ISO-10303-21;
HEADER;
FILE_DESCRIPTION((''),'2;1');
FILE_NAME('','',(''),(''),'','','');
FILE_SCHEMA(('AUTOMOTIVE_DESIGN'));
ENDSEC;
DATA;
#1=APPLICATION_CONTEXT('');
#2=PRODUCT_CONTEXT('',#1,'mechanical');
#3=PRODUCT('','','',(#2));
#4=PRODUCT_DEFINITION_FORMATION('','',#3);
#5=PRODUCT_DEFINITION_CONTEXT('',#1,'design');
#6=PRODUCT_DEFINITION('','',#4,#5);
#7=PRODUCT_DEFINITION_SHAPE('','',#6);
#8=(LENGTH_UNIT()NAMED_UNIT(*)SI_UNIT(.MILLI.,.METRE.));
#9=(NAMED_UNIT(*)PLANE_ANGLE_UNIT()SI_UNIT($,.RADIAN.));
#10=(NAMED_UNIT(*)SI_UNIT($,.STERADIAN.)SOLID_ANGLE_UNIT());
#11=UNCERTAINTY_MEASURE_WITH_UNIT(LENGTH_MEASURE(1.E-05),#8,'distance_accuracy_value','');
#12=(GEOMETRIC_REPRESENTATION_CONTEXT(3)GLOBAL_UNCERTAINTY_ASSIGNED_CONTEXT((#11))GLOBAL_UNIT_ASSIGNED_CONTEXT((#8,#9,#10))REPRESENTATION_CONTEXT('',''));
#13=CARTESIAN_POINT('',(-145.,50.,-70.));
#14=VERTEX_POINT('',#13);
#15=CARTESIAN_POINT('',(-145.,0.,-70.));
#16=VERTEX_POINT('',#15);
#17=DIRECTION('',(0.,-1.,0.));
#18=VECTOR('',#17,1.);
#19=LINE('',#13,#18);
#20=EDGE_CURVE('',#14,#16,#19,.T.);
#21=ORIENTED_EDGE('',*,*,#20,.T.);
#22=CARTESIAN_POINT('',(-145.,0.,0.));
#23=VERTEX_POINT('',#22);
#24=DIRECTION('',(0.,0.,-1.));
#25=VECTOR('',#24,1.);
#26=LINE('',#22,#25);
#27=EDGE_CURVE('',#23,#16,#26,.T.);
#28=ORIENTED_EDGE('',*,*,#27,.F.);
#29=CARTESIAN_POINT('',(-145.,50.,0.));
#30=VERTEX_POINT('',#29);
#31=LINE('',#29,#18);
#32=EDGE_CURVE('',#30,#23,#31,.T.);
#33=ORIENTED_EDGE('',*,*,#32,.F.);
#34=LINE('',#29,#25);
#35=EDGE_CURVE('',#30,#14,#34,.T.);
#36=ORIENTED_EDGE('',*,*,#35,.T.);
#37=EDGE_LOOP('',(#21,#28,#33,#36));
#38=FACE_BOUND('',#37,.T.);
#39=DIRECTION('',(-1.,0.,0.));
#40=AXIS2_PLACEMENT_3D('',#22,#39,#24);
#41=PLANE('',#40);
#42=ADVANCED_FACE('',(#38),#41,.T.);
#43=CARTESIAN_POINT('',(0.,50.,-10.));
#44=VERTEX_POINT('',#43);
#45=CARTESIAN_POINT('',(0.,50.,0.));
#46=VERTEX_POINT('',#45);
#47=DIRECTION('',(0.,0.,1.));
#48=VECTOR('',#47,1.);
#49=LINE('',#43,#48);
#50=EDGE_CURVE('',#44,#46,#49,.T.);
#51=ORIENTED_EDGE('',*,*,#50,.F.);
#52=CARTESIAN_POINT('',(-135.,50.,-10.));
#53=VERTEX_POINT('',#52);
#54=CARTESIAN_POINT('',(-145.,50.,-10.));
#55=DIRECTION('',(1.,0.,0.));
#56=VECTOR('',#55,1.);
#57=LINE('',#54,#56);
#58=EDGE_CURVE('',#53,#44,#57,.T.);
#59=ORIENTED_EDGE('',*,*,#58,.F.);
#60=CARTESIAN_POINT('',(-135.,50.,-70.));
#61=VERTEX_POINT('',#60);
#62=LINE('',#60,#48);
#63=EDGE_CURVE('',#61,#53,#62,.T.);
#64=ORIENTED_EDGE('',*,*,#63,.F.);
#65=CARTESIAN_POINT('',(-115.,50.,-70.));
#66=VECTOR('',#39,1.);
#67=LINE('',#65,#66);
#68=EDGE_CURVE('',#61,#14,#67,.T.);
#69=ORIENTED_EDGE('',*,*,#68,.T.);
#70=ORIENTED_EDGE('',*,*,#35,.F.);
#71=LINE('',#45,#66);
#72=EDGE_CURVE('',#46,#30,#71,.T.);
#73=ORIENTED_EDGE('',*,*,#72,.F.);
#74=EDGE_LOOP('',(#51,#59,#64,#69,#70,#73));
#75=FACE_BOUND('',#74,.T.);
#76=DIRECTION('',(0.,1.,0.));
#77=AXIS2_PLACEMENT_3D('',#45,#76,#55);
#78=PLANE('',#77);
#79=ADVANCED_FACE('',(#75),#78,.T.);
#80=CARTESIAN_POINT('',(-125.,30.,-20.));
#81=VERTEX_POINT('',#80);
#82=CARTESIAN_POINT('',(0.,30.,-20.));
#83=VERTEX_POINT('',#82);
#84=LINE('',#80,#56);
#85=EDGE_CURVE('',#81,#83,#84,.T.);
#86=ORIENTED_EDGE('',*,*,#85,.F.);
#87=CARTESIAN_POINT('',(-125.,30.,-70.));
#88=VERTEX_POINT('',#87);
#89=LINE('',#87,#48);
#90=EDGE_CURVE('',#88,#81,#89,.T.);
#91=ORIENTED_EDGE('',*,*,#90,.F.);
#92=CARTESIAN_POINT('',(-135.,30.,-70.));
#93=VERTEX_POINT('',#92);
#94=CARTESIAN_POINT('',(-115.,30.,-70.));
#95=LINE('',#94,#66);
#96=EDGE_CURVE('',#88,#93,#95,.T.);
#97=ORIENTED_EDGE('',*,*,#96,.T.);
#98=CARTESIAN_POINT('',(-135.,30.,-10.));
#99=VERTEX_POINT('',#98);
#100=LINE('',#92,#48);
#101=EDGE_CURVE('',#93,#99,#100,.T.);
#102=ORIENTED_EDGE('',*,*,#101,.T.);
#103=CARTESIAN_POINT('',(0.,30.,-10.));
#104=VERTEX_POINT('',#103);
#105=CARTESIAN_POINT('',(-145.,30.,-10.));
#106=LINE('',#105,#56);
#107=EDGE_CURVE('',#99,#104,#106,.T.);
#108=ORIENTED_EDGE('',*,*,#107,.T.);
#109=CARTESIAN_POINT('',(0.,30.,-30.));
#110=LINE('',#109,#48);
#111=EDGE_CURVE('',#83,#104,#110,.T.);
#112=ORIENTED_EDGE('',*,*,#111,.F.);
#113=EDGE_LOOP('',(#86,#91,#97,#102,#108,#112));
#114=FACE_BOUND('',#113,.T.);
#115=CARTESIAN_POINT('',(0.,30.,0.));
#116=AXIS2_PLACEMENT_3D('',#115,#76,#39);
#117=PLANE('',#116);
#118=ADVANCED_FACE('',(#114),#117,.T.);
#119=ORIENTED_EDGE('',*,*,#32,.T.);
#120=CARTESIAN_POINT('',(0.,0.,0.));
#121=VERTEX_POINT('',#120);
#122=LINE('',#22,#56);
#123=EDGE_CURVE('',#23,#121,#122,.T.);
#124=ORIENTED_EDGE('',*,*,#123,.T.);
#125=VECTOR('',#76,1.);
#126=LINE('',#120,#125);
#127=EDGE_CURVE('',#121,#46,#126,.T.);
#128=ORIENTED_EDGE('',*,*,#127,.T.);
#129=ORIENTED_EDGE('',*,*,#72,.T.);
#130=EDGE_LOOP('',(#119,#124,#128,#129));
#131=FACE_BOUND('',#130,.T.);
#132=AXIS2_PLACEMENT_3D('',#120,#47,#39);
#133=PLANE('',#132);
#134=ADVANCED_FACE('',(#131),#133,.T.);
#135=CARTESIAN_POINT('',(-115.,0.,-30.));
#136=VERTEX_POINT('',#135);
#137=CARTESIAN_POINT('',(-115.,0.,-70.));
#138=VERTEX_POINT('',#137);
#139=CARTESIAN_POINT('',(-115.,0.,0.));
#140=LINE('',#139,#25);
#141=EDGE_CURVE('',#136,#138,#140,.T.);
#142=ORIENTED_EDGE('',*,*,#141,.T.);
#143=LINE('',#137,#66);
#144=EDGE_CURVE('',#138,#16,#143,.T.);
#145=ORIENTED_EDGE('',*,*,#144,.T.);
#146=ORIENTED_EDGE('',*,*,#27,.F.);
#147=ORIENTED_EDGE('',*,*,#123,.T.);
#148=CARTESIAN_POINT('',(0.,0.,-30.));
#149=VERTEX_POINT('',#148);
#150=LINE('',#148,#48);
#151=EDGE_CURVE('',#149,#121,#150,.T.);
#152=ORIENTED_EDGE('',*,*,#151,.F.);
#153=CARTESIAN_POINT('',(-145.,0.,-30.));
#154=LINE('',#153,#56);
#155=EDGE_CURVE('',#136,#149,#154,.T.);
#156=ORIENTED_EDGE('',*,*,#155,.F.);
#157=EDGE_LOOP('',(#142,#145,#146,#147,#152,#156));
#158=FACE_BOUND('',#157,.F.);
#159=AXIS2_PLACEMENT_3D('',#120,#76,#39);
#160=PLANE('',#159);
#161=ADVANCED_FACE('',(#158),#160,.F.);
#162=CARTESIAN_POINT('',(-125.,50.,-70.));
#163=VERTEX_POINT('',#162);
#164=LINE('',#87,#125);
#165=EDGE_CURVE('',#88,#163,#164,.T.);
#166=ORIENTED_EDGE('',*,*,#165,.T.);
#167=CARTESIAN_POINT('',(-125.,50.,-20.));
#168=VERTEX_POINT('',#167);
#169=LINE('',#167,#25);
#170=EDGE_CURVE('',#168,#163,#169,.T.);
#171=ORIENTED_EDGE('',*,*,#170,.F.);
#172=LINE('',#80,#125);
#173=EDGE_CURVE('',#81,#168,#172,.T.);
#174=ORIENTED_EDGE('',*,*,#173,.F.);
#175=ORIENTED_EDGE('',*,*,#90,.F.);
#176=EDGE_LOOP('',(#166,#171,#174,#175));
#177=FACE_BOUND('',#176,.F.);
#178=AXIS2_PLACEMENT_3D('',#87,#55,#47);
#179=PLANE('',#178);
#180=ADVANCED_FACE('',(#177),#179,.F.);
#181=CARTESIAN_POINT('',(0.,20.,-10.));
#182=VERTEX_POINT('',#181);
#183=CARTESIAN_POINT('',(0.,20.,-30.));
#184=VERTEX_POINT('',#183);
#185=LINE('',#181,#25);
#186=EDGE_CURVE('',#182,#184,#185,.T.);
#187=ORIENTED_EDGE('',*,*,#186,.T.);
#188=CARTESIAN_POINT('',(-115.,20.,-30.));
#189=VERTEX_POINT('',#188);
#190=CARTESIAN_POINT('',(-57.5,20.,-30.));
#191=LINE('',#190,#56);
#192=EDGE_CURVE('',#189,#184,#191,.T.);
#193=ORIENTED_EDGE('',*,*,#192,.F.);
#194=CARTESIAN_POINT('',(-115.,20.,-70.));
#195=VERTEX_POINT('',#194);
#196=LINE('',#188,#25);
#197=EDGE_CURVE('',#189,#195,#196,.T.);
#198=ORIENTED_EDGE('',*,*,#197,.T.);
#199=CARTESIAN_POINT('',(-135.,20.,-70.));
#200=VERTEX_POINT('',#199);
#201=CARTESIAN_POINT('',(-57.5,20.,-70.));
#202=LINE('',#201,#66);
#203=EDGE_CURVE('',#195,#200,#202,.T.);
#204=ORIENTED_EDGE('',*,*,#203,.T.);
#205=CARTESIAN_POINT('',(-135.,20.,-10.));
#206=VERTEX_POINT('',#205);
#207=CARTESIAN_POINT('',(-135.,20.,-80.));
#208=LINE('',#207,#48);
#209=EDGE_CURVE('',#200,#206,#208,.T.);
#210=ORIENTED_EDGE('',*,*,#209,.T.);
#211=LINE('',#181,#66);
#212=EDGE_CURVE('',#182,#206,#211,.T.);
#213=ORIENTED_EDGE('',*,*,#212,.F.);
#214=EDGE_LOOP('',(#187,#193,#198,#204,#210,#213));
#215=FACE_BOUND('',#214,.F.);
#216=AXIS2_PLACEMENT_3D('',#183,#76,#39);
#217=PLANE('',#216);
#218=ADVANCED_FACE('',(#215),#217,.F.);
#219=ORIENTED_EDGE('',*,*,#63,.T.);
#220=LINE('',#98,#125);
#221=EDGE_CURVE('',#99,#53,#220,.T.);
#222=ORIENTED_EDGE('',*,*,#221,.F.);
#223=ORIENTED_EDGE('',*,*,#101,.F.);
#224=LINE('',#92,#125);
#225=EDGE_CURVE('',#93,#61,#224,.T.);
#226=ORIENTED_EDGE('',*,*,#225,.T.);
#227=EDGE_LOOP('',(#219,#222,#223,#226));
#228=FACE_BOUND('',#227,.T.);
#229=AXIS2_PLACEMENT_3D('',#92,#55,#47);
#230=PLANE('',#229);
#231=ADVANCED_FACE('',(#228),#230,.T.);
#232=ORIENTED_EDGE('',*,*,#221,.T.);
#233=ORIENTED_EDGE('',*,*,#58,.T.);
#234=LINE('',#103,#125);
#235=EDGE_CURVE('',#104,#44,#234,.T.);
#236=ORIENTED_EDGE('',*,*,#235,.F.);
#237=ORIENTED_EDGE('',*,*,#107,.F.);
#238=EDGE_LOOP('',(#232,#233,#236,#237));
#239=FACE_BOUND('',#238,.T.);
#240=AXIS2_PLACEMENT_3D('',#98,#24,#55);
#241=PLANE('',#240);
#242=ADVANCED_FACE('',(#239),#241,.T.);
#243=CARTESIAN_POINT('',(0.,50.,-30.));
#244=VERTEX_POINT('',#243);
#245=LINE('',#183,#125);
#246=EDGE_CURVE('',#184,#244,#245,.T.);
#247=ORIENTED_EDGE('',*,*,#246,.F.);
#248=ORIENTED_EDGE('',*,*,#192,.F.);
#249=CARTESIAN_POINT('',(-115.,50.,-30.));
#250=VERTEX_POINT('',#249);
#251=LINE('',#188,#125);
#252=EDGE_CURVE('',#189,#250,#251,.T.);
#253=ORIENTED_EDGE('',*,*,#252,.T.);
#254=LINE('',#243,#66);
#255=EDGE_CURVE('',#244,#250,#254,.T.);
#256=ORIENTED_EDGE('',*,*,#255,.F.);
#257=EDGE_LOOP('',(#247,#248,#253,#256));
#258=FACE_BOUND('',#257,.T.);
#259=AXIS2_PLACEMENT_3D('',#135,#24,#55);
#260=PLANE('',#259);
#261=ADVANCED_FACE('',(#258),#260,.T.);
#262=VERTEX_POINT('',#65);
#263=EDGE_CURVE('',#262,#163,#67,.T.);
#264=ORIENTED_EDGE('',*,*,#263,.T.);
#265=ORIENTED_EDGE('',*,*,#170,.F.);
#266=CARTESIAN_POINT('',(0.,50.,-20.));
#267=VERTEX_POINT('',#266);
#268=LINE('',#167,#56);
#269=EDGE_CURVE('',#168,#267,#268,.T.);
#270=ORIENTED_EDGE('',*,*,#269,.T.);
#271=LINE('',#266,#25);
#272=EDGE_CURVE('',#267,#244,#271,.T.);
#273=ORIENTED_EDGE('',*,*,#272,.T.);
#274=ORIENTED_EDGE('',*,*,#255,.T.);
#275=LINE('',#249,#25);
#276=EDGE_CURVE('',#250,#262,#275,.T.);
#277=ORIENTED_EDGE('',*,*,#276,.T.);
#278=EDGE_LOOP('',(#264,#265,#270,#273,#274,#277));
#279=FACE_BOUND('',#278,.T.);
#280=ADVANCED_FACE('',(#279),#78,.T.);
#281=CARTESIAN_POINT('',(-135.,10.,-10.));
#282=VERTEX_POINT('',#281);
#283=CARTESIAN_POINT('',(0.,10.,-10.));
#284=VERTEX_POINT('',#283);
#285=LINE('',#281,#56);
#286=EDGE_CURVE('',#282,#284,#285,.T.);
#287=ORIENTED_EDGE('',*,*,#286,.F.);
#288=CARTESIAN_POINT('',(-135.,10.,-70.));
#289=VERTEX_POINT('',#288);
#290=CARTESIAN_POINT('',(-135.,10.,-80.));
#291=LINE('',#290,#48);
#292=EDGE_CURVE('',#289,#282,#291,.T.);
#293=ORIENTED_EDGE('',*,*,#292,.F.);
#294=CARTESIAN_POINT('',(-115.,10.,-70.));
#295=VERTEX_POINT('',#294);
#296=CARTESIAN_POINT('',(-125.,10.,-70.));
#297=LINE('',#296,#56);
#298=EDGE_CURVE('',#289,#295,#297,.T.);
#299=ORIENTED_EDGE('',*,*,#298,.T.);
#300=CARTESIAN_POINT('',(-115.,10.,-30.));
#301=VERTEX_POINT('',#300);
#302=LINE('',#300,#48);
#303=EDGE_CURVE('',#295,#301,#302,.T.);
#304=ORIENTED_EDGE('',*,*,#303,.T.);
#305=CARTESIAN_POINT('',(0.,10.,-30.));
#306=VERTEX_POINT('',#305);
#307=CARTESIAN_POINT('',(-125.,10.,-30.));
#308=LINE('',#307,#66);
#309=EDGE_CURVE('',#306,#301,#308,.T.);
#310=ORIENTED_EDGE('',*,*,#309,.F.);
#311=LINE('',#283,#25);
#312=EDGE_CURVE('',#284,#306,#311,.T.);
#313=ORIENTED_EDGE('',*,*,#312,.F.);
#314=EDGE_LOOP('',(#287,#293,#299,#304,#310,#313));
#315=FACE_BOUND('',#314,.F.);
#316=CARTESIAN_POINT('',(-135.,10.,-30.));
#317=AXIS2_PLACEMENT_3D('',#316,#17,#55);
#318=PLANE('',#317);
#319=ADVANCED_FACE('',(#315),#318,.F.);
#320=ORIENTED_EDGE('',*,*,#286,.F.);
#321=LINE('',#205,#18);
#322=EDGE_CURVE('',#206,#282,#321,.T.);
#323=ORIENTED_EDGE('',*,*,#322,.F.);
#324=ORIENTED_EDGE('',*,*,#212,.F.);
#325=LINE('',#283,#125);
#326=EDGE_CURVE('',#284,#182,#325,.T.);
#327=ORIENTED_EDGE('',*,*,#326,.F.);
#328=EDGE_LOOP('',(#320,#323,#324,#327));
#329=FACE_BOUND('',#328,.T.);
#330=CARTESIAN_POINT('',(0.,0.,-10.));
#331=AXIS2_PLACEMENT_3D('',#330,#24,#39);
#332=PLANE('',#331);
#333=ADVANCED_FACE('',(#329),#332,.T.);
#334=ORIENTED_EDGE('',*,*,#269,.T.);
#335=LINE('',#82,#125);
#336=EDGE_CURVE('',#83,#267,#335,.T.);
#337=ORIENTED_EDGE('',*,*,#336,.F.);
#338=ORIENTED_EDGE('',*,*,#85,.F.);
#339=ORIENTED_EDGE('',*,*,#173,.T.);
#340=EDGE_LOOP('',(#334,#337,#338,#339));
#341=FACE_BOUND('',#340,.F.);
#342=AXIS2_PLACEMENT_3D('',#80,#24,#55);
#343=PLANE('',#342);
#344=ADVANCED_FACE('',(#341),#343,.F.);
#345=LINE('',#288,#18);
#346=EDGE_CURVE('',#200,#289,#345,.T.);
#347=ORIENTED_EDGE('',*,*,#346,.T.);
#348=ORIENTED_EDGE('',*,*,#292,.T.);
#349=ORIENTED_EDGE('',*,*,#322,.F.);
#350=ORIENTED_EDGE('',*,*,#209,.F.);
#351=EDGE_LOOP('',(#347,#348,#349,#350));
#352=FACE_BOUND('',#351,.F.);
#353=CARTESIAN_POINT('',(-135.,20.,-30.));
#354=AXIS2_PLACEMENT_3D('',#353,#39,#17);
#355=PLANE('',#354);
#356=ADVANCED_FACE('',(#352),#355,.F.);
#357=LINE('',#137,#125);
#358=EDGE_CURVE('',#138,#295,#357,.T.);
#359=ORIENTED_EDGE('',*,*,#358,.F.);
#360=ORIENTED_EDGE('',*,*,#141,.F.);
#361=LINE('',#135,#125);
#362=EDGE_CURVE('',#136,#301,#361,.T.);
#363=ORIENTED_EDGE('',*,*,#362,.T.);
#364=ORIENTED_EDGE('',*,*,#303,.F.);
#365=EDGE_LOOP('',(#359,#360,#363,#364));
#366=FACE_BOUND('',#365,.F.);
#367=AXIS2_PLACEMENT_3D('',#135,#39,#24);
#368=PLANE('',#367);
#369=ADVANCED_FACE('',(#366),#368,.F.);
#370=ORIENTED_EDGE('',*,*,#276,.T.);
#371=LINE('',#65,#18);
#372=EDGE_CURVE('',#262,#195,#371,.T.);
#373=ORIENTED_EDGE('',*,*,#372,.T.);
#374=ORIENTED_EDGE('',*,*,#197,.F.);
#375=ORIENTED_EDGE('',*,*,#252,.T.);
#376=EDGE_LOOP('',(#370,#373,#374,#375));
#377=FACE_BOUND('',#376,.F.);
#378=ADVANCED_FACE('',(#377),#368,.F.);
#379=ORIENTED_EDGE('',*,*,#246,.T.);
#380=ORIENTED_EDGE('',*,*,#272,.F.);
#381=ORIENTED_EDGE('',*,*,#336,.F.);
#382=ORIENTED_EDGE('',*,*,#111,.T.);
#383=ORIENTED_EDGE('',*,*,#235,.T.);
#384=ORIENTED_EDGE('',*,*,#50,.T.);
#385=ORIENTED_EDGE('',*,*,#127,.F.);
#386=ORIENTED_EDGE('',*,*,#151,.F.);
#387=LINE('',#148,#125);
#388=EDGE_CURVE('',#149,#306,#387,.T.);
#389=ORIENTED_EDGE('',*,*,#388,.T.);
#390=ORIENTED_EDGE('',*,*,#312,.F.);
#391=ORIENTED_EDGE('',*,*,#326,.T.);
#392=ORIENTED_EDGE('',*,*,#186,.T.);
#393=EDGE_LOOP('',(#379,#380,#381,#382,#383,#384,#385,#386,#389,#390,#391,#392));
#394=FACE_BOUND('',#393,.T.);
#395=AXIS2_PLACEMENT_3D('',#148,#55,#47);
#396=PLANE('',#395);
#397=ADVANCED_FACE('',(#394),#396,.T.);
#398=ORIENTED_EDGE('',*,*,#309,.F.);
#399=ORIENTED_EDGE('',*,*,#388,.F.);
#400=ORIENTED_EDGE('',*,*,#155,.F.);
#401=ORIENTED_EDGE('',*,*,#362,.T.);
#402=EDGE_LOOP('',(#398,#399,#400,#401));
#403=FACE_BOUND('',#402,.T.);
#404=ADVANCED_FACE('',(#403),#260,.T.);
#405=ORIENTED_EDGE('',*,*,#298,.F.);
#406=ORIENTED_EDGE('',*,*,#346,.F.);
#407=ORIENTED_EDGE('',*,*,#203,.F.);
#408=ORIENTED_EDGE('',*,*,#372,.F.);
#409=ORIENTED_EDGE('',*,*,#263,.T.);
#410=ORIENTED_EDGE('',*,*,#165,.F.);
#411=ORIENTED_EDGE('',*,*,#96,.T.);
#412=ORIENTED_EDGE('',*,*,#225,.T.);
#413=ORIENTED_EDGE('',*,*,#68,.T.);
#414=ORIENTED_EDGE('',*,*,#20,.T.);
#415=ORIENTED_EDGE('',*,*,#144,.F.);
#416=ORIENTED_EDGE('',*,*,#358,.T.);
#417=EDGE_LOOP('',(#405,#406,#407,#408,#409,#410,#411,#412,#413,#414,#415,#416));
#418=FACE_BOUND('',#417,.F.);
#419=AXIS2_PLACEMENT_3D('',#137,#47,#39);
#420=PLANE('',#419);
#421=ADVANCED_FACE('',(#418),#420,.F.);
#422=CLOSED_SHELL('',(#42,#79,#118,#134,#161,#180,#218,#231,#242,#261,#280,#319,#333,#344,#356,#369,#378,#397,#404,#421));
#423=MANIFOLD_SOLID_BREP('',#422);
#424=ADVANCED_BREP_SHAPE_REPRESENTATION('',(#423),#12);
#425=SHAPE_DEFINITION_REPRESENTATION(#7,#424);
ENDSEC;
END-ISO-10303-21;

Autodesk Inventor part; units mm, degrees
ref_plane "YZ Plane" through (0, 0, 0) normal (1, 0, 0) x (0, 1, 0)
ref_plane "XZ Plane" through (0, 0, 0) normal (0, 1, 0) x (-1, 0, 0)
ref_plane "XY Plane" through (0, 0, 0) normal (0, 0, 1) x (1, 0, 0)
sketch "Sketch1" plane through (0, 0, 0) normal (0, 1, 0) x (-1, 0, 0)
  line L0 (0, 0) -> (145, 0)
  line L1 (145, 0) -> (145, -30)
  line L2 (145, -30) -> (0, -30)
  line L3 (0, -30) -> (0, 0)
  line L4 (145, 0) -> (115, 0)
  line L5 (115, 0) -> (115, -70)
  line L6 (115, -70) -> (145, -70)
  line L7 (145, -70) -> (145, 0)
  point P0 (115, -30)
  dimension "d0" = 145
  dimension "d1" = 30
  dimension "d2" = 30
  dimension "d3" = 70
extrude "Extrusion1" add sketch "Sketch1" along normal blind 30
sketch "Sketch2" plane through (0, 0, -30) normal (0, 0, -1) x (-1, 0, 0)
  line L0 (0, 20) -> (135, 20)
  line L1 (135, 20) -> (135, 10)
  line L2 (135, 10) -> (0, 10)
  line L3 (0, 10) -> (0, 20)
  dimension "d32" = 135
  dimension "d33" = 10
extrude "Extrusion2" cut sketch "Sketch2" along normal blind 50 and the other way blind 20
sketch "Sketch4" plane through (0, 30, 0) normal (0, 1, 0) x (1, 0, 0)
  line L0 (0, 0) -> (-145, 0)
  line L1 (-145, 0) -> (-145, 10)
  line L2 (-145, 10) -> (0, 10)
  line L3 (0, 10) -> (0, 0)
  line L4 (-115, 70) -> (-145, 70) projected
  line L5 (-145, 70) -> (-135, 70)
  line L6 (-135, 70) -> (-135, 10)
  line L7 (-135, 10) -> (-145, 10)
  line L8 (-145, 10) -> (-145, 70)
  line L9 (-115, 30) -> (-115, 70) projected
  line L10 (-115, 70) -> (-125, 70)
  line L11 (-125, 70) -> (-125, 30)
  line L12 (-125, 30) -> (-115, 30)
  line L13 (-115, 30) -> (-115, 70)
  line L14 (0, 30) -> (-125, 30)
  line L15 (-125, 30) -> (-125, 20)
  line L16 (-125, 20) -> (0, 20)
  line L17 (0, 20) -> (0, 30)
  dimension "d22" = 145
  dimension "d23" = 10
  dimension "d24" = 10
  dimension "d25" = 60
  dimension "d26" = 10
  dimension "d27" = 40
  dimension "d28" = 125
  dimension "d29" = 10
extrude "Extrusion4" add sketch "Sketch4" along normal blind 20
properties part number "TSU_Corner1_Clamp"
